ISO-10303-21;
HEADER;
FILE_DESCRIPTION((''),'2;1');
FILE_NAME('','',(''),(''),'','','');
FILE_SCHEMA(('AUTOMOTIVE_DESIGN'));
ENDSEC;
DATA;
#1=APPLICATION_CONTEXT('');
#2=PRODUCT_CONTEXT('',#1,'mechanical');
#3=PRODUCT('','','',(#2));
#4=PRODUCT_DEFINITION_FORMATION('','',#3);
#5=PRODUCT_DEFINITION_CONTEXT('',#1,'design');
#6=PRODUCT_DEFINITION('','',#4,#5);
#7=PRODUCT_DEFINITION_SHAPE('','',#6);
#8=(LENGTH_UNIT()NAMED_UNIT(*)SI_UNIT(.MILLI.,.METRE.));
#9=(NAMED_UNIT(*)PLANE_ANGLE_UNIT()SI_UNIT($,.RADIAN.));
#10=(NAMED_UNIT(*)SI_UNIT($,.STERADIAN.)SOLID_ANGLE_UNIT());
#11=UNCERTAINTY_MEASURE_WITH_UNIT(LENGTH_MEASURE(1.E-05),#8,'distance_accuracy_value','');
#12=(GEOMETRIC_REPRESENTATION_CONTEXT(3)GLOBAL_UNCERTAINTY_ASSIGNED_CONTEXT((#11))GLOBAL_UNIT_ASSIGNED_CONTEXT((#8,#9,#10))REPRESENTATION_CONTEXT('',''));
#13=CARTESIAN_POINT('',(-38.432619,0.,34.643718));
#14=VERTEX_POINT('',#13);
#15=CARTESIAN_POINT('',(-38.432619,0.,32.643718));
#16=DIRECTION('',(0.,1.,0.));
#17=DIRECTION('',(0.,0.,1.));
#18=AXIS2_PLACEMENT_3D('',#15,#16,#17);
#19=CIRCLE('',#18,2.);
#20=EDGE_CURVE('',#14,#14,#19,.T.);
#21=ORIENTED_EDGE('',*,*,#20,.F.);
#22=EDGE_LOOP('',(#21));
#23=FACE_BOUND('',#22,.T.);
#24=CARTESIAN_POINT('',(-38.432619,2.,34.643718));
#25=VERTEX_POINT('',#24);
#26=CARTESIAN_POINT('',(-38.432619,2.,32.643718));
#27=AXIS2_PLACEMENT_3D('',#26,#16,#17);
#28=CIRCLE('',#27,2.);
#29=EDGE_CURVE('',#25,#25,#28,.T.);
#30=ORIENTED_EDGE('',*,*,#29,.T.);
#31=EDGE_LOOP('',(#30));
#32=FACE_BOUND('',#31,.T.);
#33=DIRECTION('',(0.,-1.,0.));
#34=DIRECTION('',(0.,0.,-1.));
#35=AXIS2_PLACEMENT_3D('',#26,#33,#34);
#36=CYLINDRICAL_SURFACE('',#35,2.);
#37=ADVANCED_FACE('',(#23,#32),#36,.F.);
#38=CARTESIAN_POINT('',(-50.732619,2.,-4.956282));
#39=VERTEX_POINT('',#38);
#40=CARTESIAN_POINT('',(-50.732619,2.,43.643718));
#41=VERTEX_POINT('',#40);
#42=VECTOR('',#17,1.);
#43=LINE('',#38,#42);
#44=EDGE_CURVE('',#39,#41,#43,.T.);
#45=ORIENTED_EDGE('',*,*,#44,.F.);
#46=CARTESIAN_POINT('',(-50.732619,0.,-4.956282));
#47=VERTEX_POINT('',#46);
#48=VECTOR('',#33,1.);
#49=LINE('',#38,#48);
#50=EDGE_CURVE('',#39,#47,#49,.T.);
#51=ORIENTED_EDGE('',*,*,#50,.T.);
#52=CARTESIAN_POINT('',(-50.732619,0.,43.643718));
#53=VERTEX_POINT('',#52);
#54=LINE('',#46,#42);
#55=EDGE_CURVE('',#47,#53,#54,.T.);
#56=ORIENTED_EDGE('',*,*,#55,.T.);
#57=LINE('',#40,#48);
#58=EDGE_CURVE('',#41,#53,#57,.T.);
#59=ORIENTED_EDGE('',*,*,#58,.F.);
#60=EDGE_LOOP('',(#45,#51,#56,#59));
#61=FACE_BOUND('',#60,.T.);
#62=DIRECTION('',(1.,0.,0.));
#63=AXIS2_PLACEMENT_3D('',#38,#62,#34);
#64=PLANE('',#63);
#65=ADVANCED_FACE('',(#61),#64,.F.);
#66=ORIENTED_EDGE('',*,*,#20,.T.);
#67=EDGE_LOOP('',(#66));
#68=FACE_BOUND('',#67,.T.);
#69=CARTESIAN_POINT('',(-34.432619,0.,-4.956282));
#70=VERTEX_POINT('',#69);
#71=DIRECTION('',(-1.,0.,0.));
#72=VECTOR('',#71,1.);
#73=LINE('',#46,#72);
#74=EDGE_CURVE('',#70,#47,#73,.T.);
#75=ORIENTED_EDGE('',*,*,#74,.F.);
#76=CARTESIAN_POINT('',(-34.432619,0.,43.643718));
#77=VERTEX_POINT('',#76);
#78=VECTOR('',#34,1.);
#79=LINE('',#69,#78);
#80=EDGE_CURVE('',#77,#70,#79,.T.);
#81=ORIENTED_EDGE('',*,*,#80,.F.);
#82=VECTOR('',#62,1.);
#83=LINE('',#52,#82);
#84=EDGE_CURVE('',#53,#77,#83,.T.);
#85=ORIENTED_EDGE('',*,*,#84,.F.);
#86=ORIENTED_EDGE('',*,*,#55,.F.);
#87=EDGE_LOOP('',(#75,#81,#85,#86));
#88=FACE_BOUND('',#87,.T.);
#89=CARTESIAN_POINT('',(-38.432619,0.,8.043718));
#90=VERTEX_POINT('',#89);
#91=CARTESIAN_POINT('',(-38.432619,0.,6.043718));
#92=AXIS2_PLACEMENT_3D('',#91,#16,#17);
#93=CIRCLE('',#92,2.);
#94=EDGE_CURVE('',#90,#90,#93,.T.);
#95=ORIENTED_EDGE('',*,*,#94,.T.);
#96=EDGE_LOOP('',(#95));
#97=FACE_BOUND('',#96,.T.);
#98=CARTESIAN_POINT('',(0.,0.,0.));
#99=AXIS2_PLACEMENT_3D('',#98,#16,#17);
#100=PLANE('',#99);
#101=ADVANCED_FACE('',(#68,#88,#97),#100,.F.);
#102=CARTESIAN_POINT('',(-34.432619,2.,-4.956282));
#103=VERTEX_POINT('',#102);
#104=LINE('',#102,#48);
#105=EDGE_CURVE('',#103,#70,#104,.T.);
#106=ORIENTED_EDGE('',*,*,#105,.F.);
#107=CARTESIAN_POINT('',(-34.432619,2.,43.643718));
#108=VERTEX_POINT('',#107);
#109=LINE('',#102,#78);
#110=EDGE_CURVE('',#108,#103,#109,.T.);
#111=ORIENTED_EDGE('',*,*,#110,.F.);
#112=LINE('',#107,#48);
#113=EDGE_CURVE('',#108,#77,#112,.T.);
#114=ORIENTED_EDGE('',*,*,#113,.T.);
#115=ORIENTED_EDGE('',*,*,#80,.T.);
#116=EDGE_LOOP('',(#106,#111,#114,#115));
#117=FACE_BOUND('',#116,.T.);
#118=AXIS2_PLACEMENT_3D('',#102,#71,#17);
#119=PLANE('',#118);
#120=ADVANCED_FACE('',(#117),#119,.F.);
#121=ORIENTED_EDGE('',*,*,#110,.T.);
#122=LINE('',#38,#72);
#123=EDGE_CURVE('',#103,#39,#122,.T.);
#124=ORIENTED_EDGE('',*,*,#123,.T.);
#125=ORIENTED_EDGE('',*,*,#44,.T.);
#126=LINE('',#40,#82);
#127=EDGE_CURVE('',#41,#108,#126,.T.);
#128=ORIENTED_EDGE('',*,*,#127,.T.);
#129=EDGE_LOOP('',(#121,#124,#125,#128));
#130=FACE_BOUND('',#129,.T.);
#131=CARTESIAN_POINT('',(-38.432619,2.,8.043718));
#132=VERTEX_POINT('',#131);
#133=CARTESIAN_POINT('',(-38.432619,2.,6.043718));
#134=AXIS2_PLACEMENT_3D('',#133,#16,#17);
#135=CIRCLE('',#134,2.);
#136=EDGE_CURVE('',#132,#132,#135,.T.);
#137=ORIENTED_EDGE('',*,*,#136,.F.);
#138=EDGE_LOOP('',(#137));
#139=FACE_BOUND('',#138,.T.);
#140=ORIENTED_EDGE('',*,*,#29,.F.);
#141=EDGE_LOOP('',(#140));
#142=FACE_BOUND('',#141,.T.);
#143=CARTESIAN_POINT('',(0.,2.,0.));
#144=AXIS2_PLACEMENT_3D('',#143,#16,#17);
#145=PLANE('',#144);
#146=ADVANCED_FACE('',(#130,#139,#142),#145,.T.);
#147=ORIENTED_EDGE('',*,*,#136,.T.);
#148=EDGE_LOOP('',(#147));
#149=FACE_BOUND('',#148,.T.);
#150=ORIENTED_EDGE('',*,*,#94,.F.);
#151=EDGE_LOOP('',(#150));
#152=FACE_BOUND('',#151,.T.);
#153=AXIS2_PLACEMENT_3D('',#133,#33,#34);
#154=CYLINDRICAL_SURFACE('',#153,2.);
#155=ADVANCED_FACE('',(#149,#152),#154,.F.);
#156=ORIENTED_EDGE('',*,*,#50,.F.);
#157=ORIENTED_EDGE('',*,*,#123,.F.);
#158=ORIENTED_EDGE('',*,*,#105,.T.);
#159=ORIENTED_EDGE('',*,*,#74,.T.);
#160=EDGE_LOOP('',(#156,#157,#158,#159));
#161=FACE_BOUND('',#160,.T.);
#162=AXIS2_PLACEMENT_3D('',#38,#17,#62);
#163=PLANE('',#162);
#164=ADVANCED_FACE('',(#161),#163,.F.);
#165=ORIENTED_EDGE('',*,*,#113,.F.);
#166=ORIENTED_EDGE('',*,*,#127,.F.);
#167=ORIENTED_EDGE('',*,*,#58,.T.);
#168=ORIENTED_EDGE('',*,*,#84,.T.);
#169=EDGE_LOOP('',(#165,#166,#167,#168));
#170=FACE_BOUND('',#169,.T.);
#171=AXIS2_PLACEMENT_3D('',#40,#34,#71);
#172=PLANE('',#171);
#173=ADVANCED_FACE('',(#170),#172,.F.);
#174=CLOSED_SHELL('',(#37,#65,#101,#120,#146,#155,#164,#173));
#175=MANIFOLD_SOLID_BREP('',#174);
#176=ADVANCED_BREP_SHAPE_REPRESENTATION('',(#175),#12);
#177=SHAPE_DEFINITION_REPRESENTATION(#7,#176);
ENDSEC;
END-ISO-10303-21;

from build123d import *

# Parameters (mm, degrees)
SKETCH1_W           = 16.3
SKETCH1_H           = 48.6
SKETCH1_R           = 2
BOSS_EXTRUDE1_DEPTH = 2


with BuildPart() as part:
    # Sketch1 → Boss-Extrude1 (new body)
    with BuildSketch(Plane(origin=(0, 0, 0), x_dir=(1, 0, 0), z_dir=(0, 1, 0))):
        with Locations((-42.58261944, -19.34371807)):
            Rectangle(SKETCH1_W, SKETCH1_H)
        with Locations(Location((-38.43261944, -6.04371807, 0), (0, 0, 270))):
            Circle(SKETCH1_R, mode=Mode.SUBTRACT)
        with Locations(Location((-38.43261944, -32.64371807, 0), (0, 0, 270))):
            Circle(SKETCH1_R, mode=Mode.SUBTRACT)
    extrude(amount=BOSS_EXTRUDE1_DEPTH)


solid = part.part
